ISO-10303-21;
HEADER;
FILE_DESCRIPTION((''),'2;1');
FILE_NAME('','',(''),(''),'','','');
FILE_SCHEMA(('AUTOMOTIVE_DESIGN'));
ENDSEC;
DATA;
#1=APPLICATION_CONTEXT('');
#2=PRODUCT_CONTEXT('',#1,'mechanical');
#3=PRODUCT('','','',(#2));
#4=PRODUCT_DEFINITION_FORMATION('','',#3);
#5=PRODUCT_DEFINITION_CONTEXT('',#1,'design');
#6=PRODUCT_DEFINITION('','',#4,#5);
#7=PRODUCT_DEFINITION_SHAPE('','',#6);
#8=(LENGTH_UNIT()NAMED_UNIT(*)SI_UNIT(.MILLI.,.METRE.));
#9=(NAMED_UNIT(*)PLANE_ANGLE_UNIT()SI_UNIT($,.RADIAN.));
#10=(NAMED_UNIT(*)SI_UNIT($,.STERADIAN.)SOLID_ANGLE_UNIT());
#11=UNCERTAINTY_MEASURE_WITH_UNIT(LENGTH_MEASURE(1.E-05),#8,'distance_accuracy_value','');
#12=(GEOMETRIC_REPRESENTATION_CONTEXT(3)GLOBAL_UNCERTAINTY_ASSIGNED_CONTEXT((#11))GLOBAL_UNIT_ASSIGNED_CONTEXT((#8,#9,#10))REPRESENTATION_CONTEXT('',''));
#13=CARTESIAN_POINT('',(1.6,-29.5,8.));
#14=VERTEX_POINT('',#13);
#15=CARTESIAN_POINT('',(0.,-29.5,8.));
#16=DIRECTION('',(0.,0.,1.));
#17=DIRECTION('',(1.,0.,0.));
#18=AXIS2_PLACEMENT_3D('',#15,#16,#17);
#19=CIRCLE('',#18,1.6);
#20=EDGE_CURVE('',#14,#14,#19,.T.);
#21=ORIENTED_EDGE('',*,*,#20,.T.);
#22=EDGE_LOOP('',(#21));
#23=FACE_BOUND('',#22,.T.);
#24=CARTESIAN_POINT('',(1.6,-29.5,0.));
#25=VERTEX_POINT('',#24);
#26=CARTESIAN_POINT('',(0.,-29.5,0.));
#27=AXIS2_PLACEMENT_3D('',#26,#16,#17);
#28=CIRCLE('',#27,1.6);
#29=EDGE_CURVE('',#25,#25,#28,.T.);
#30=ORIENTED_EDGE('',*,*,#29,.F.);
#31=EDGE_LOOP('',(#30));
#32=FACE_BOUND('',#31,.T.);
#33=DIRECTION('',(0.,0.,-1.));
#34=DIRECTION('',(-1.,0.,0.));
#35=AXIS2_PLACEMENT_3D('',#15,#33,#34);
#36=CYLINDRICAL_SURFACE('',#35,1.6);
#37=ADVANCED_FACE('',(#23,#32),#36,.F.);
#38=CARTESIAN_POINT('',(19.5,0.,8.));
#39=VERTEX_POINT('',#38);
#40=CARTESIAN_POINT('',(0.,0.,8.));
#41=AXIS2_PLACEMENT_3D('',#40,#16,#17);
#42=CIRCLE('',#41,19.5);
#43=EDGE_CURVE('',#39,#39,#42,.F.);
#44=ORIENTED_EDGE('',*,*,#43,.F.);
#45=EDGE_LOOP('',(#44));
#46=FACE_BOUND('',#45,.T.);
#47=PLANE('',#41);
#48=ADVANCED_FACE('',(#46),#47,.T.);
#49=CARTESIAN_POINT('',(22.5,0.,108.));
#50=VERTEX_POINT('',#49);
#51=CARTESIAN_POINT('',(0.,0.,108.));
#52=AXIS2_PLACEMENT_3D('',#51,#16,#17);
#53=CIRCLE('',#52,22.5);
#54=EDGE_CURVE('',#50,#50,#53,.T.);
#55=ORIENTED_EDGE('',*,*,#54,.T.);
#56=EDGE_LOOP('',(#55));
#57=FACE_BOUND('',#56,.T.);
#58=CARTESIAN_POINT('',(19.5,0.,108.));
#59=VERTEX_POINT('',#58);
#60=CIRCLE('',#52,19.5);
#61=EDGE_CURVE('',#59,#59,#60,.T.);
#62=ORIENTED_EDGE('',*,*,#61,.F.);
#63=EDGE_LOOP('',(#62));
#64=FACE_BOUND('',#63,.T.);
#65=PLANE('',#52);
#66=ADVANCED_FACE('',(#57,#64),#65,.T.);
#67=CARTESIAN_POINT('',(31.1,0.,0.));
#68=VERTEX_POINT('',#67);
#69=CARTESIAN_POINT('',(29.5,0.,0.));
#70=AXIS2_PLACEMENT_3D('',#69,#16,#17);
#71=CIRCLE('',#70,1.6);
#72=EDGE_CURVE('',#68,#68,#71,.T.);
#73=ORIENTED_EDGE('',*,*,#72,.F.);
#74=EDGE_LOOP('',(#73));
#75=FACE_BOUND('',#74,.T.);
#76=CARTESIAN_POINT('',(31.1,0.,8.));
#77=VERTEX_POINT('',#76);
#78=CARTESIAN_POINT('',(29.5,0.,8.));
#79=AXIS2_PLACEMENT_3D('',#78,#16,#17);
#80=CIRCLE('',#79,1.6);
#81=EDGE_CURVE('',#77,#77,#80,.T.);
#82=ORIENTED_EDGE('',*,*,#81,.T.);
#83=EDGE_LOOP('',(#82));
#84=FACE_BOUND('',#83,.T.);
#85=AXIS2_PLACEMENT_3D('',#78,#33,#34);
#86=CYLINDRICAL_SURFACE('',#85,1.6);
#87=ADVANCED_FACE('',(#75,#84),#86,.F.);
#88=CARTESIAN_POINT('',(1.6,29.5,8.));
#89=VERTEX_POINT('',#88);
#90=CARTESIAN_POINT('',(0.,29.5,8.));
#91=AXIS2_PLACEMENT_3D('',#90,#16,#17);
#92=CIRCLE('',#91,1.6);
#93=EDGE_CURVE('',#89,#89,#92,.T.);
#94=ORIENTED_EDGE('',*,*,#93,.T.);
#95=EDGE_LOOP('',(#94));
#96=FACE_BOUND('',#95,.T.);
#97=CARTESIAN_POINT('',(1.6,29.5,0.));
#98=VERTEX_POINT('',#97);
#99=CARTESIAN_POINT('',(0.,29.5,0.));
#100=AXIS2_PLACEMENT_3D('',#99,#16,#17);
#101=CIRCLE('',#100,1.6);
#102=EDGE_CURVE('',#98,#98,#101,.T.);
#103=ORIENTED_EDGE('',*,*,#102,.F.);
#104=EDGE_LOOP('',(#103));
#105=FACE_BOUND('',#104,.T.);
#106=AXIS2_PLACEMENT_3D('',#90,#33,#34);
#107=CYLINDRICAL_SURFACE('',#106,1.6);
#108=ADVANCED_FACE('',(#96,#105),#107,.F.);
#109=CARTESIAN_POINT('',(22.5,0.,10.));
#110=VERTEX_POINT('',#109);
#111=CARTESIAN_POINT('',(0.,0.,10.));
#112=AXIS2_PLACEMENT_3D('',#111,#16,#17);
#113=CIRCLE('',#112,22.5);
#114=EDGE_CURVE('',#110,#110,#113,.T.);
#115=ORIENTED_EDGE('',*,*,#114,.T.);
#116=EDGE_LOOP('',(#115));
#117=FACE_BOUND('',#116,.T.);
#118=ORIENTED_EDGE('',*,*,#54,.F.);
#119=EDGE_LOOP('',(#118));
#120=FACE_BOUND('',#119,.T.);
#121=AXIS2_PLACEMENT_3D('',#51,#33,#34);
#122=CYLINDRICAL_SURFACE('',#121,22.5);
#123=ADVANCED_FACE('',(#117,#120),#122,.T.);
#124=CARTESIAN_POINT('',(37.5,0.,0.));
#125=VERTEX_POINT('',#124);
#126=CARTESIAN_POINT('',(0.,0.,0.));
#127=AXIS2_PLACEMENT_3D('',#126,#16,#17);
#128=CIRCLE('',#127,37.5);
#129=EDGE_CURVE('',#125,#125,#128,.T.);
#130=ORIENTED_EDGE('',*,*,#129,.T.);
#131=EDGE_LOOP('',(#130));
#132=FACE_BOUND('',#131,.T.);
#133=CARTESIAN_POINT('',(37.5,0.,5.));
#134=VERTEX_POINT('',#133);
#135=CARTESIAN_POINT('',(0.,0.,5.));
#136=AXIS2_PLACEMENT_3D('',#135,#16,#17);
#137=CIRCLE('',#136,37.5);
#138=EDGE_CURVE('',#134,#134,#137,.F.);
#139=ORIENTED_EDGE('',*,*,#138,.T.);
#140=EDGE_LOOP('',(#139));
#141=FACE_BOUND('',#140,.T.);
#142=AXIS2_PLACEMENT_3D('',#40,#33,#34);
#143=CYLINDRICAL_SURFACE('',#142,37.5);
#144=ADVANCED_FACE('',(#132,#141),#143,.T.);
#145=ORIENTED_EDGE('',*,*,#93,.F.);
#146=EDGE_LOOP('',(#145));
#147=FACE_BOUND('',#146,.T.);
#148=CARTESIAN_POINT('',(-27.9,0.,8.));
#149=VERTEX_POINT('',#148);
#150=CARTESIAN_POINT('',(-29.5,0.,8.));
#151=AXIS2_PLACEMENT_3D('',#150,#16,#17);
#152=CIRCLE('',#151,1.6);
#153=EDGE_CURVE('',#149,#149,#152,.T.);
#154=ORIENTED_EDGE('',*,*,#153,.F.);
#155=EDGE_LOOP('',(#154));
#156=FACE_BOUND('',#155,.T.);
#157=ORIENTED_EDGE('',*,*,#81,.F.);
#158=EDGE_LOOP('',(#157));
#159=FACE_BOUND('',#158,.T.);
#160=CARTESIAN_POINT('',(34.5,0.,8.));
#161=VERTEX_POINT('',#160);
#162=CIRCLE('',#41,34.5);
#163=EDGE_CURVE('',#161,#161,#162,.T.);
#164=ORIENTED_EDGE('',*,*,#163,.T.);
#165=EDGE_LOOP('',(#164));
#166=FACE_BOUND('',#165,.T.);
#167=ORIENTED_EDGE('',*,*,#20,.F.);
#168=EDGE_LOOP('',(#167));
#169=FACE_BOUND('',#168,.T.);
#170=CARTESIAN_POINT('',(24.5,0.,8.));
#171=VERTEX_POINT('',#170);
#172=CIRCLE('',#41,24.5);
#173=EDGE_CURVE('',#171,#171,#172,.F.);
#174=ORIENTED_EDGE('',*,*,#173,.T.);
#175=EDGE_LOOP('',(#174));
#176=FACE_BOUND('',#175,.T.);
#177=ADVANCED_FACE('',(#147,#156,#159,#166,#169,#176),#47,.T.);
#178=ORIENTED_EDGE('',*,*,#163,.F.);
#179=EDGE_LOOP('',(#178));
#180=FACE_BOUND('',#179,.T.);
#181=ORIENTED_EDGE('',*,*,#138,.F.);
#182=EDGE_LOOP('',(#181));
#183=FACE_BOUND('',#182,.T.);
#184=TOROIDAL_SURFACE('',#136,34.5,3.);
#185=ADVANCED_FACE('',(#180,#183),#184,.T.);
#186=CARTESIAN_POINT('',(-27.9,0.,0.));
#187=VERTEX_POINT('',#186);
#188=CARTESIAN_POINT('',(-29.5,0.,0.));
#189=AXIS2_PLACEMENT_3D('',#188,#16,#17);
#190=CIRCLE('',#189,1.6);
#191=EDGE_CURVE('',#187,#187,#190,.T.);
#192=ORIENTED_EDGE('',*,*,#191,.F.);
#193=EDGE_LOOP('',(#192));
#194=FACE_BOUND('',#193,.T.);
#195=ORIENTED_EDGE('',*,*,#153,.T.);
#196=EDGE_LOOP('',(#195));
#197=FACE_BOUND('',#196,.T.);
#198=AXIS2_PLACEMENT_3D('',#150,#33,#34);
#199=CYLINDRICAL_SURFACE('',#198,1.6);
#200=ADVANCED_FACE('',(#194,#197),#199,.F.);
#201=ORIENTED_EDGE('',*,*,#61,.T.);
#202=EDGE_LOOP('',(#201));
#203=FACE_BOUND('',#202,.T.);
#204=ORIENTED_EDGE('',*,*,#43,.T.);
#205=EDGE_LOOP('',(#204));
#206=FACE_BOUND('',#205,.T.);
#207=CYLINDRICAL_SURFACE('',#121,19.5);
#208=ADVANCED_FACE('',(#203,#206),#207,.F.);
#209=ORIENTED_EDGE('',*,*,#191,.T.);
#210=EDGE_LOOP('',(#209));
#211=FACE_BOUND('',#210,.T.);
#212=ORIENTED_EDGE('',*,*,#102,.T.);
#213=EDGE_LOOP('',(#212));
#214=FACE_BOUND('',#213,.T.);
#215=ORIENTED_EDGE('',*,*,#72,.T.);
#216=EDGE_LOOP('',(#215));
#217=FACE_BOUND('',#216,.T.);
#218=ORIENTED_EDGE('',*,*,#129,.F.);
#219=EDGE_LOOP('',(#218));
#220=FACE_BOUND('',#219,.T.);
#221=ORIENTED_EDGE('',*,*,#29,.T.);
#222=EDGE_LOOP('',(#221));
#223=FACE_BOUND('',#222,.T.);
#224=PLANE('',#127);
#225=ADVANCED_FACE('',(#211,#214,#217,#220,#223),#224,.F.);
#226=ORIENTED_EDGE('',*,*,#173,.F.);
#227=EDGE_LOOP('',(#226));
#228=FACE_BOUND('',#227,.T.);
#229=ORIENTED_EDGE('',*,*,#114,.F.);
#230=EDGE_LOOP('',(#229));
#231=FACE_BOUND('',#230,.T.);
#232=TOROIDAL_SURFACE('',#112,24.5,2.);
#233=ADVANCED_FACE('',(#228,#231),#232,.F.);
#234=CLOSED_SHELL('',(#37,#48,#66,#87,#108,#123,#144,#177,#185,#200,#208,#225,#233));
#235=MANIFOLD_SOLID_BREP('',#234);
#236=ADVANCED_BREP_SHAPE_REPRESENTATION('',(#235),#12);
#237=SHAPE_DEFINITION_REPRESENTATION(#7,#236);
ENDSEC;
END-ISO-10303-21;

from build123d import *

# Parameters (mm, degrees)
SZKIC1_R                    = 37.5
SZKIC1_R_2                  = 1.6
DODANIE_WYCI_GNI_CIE1_DEPTH = 8
ZAOKR_GLENIE1_R             = 3
SZKIC2_R                    = 22.5
SZKIC2_R_2                  = 19.5
DODANIE_WYCI_GNI_CIE2_DEPTH = 100
ZAOKR_GLENIE2_R             = 2


with BuildPart() as part:
    # Szkic1 → Dodanie-wyciągnięcie1 (new body)
    with BuildSketch(Plane.XY):
        Circle(SZKIC1_R)
        with Locations((0, 29.5)):
            Circle(SZKIC1_R_2, mode=Mode.SUBTRACT)
        with Locations((29.5, 0)):
            Circle(SZKIC1_R_2, mode=Mode.SUBTRACT)
        with Locations((0, -29.5)):
            Circle(SZKIC1_R_2, mode=Mode.SUBTRACT)
        with Locations((-29.5, 0)):
            Circle(SZKIC1_R_2, mode=Mode.SUBTRACT)
    extrude(amount=DODANIE_WYCI_GNI_CIE1_DEPTH)

    # Zaokrąglenie1
    zaokr_glenie1_edges = [part.edges().sort_by_distance(p)[0] for p in [
        (-37.5, 0, 8),
    ]]
    fillet(zaokr_glenie1_edges, radius=ZAOKR_GLENIE1_R)

    # Szkic2 → Dodanie-wyciągnięcie2 (add)
    with BuildSketch(Plane.XY.offset(8)):
        Circle(SZKIC2_R)
        Circle(SZKIC2_R_2, mode=Mode.SUBTRACT)
    extrude(amount=DODANIE_WYCI_GNI_CIE2_DEPTH)

    # Zaokrąglenie2
    zaokr_glenie2_edges = [part.edges().sort_by_distance(p)[0] for p in [
        (-22.5, 0, 8),
    ]]
    fillet(zaokr_glenie2_edges, radius=ZAOKR_GLENIE2_R)


solid = part.part
